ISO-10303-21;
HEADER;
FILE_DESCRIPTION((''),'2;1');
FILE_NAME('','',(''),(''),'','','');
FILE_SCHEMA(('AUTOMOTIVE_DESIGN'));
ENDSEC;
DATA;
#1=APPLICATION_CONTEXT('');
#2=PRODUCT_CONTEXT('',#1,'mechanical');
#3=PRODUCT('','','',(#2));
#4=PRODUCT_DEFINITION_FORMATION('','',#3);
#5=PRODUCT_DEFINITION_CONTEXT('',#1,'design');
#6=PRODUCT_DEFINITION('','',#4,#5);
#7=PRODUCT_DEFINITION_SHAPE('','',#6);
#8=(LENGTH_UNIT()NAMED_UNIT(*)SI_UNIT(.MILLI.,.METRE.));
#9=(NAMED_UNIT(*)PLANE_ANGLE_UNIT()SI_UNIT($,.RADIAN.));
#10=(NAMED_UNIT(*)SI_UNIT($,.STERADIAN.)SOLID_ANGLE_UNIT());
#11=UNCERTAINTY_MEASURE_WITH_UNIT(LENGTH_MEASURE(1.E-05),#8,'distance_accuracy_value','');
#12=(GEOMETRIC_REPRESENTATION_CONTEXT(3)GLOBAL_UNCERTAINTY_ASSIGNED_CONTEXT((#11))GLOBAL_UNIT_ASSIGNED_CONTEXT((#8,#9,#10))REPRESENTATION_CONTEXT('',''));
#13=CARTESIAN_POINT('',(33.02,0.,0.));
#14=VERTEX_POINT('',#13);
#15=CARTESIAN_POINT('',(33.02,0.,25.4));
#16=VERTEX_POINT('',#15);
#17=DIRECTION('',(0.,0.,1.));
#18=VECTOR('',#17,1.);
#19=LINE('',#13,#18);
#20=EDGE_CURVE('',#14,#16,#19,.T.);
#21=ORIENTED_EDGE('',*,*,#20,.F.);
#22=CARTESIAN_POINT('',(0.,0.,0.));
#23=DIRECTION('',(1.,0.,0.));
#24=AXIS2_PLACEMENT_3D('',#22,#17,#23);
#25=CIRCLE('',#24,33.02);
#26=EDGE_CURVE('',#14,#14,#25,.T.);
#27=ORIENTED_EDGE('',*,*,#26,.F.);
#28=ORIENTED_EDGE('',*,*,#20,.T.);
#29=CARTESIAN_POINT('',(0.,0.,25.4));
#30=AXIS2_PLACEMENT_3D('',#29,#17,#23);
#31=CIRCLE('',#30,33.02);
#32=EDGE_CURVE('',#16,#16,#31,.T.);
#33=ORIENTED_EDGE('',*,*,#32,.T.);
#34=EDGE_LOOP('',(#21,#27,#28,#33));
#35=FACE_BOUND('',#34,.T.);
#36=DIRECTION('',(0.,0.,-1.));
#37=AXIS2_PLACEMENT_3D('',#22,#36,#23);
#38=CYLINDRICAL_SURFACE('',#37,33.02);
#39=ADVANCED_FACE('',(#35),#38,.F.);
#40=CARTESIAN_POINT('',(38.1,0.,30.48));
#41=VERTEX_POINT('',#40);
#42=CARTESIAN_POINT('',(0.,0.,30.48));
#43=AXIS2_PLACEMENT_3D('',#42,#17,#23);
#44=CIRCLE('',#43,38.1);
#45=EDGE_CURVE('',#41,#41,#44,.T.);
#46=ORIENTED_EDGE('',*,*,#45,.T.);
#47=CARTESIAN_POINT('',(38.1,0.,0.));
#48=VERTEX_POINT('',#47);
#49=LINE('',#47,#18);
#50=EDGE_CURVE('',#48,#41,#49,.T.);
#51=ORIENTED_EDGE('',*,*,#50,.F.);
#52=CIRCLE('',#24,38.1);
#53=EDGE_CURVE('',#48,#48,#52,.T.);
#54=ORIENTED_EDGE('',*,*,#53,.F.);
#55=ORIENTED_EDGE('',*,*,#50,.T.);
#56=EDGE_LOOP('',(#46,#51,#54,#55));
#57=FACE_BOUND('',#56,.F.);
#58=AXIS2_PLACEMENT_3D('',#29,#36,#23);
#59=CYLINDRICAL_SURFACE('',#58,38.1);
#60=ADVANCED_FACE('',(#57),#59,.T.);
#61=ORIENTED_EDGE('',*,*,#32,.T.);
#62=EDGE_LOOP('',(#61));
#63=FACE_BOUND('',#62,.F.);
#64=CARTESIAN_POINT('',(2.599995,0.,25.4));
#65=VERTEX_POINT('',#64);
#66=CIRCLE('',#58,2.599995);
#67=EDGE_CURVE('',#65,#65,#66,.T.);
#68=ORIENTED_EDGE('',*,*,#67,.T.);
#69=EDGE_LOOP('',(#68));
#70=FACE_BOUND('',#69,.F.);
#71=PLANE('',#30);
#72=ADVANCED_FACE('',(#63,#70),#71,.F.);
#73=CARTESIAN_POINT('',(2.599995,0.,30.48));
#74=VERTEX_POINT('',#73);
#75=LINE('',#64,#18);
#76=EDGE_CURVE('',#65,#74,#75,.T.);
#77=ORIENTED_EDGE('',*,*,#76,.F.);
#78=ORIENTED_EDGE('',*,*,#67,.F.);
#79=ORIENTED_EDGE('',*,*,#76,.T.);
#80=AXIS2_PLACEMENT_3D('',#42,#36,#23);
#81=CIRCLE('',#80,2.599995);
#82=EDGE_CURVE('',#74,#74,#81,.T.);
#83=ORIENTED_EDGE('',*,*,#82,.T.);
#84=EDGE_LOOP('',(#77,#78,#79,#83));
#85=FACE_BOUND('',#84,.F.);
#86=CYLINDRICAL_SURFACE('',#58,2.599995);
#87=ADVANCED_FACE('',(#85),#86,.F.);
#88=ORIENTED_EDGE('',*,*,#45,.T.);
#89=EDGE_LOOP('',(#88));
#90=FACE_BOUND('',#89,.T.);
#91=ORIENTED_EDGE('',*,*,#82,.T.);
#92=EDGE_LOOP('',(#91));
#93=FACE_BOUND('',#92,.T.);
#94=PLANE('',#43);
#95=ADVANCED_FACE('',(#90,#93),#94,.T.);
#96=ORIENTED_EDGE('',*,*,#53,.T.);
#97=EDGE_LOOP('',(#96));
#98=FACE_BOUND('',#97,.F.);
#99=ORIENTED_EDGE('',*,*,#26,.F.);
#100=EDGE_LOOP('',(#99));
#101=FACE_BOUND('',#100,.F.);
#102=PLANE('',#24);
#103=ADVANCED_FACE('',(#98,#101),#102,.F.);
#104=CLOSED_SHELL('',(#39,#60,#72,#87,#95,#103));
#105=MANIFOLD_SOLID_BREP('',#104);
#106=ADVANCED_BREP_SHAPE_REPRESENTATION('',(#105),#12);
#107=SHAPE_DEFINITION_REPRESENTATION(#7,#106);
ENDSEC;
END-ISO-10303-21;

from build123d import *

# Parameters (mm, degrees)
F0_R     = 38.1
F0_R_2   = 33.02
F1_DEPTH = 25.4
F2_R     = 38.1
F3_DEPTH = 5.08
F4_R     = 2.599995
F5_DEPTH = 228.6


with BuildPart() as f1:
    # F0 (on Top) → F1 (new body)
    with BuildSketch(Plane.XY):
        Circle(F0_R)
        Circle(F0_R_2, mode=Mode.SUBTRACT)
    extrude(amount=F1_DEPTH)

    # F2 (on face) → F3 (join)
    with BuildSketch(Plane.XY.offset(25.4)):
        Circle(F2_R)
    extrude(amount=F3_DEPTH)

    # F4 (on face) → F5 (cut)
    with BuildSketch(Plane(origin=(0, 0, 25.4), x_dir=(1, 0, 0), z_dir=(0, 0, -1))):
        Circle(F4_R)
    extrude(amount=-F5_DEPTH, mode=Mode.SUBTRACT)


solid = f1.part
